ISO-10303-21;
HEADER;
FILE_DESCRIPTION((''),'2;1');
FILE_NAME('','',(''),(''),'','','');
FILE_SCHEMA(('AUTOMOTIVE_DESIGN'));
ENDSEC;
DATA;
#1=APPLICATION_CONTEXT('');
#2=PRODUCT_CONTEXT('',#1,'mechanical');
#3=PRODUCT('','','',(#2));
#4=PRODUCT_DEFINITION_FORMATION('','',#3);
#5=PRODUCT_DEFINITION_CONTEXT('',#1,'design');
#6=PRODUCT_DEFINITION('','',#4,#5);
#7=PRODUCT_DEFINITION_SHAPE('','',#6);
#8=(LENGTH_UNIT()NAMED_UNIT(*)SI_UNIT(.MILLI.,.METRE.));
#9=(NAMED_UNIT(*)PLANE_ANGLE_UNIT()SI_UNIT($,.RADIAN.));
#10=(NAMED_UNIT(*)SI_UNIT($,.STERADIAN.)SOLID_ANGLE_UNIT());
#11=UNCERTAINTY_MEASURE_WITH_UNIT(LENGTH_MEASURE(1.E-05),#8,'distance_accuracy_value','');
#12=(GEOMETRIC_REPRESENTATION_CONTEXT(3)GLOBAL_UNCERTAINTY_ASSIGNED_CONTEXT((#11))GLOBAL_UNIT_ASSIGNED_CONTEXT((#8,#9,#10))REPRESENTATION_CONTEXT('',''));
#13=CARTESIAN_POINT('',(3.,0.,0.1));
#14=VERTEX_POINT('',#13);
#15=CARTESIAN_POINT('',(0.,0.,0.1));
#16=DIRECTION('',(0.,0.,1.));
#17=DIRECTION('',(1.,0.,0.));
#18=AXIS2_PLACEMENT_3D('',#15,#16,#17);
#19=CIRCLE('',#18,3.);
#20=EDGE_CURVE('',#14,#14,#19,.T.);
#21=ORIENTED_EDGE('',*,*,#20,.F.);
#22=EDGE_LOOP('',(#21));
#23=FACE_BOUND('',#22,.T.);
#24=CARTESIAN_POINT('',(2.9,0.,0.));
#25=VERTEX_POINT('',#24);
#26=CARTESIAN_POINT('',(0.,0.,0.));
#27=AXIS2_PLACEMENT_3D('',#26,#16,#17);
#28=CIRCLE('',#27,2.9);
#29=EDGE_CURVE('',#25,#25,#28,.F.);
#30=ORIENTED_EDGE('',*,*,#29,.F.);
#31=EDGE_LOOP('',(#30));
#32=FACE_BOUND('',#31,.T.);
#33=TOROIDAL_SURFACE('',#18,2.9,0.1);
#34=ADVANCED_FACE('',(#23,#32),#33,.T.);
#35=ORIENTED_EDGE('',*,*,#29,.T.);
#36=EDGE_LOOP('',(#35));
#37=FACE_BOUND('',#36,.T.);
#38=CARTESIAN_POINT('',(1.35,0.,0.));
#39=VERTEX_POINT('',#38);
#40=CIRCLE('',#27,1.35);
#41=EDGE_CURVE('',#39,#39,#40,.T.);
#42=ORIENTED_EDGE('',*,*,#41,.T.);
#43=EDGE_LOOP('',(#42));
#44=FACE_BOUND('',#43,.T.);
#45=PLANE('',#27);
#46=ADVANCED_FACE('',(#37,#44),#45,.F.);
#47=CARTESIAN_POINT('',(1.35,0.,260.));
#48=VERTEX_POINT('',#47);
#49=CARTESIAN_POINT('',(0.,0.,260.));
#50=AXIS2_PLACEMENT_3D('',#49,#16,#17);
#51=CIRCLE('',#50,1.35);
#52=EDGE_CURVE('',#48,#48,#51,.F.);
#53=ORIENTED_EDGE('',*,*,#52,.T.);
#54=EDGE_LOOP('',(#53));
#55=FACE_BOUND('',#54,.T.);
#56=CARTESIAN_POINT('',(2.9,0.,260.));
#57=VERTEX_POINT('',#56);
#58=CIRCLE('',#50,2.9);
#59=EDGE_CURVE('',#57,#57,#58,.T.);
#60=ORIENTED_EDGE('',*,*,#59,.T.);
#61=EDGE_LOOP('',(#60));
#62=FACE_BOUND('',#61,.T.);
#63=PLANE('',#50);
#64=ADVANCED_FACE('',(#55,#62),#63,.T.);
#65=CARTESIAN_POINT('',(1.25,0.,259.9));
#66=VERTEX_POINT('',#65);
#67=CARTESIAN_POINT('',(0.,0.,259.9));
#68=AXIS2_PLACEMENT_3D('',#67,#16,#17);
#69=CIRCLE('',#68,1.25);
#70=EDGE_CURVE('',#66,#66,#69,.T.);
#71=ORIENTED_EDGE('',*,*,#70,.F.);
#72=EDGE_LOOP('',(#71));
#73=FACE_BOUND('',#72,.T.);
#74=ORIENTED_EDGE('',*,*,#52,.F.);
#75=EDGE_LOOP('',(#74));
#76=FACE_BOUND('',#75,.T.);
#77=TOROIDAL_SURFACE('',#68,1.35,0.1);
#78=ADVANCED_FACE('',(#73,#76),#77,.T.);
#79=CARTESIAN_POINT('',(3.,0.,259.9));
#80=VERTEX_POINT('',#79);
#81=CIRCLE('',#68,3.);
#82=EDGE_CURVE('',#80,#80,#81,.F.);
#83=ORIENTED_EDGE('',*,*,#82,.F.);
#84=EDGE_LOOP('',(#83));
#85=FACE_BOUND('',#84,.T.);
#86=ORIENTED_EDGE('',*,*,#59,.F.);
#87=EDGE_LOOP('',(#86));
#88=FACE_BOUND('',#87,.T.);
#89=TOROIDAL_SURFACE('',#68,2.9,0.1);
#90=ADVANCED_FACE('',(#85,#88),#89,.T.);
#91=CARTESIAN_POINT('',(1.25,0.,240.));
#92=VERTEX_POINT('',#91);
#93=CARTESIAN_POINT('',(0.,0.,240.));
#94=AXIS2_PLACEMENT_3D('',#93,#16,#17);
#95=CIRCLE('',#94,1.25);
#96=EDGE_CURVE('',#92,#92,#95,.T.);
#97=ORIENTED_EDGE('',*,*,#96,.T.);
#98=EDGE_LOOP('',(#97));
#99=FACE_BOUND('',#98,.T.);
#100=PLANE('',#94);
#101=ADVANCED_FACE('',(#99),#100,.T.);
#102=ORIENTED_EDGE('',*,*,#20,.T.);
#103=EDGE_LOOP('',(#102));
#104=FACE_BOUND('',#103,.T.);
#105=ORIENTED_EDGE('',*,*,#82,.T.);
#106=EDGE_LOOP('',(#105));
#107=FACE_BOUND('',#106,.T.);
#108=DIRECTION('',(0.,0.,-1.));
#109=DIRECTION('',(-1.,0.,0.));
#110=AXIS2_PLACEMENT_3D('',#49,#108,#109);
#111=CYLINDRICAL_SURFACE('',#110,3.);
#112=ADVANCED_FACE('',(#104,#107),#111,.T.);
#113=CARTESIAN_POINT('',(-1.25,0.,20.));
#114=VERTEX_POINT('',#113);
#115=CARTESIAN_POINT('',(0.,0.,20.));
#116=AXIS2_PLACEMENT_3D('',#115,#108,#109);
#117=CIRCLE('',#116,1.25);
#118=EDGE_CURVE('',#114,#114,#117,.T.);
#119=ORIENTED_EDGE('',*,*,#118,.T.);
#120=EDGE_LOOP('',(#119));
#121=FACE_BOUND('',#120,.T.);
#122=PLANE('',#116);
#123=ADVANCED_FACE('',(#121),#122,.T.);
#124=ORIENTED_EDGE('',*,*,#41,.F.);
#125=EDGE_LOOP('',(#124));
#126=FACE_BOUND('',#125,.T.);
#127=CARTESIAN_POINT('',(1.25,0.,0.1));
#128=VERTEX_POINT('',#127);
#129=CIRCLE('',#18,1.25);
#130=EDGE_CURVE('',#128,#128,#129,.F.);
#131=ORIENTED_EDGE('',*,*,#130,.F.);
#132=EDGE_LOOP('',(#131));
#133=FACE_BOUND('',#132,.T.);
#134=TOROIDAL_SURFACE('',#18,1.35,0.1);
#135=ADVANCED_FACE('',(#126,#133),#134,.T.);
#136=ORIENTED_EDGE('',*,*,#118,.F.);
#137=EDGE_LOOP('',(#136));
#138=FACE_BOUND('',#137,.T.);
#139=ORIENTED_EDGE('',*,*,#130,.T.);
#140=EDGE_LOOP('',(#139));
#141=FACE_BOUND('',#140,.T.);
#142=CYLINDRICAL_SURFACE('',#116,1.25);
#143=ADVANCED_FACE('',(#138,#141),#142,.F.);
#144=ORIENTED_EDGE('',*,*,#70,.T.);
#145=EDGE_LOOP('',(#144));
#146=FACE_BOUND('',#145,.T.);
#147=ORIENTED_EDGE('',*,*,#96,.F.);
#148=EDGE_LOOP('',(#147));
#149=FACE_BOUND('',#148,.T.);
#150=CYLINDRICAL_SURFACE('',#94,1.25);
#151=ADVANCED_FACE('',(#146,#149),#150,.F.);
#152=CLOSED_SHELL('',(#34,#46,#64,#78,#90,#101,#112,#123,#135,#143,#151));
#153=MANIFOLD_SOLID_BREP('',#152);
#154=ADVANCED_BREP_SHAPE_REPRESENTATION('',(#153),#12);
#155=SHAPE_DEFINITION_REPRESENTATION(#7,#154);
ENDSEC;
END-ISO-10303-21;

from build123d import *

# Parameters (mm, degrees)
SKETCH1_R          = 3
EXTRUDE1_DEPTH     = 260
SKETCH2_R          = 1.25
CUT_EXTRUDE1_DEPTH = 20
CUT_EXTRUDE2_START = -20
SKETCH3_R          = 1.25
CUT_EXTRUDE2_DEPTH = 20
FILLET1_R          = 0.1


with BuildPart() as part:
    # Sketch1 → Extrude1 (new body)
    with BuildSketch(Plane.XY):
        Circle(SKETCH1_R)
    extrude(amount=EXTRUDE1_DEPTH)

    # Sketch2 → Cut-Extrude1 (cut)
    with BuildSketch(Plane.XY.offset(260)):
        Circle(SKETCH2_R)
    extrude(amount=-CUT_EXTRUDE1_DEPTH, mode=Mode.SUBTRACT)

    # Sketch3 → Cut-Extrude2 (cut)
    with BuildSketch(Plane(origin=(0, 0, 0), x_dir=(-1, 0, 0), z_dir=(0, 0, -1)).offset(CUT_EXTRUDE2_START)):
        with Locations(Location((0, 0, 0), (0, 0, 180))):
            Circle(SKETCH3_R)
    extrude(amount=CUT_EXTRUDE2_DEPTH, mode=Mode.SUBTRACT)

    # Fillet1
    fillet1_edges = [part.edges().sort_by_distance(p)[0] for p in [
        (-1.25, 0, 0),
        (-3, 0, 0),
        (-3, 0, 260),
        (-1.25, 0, 260),
    ]]
    fillet(fillet1_edges, radius=FILLET1_R)


solid = part.part
